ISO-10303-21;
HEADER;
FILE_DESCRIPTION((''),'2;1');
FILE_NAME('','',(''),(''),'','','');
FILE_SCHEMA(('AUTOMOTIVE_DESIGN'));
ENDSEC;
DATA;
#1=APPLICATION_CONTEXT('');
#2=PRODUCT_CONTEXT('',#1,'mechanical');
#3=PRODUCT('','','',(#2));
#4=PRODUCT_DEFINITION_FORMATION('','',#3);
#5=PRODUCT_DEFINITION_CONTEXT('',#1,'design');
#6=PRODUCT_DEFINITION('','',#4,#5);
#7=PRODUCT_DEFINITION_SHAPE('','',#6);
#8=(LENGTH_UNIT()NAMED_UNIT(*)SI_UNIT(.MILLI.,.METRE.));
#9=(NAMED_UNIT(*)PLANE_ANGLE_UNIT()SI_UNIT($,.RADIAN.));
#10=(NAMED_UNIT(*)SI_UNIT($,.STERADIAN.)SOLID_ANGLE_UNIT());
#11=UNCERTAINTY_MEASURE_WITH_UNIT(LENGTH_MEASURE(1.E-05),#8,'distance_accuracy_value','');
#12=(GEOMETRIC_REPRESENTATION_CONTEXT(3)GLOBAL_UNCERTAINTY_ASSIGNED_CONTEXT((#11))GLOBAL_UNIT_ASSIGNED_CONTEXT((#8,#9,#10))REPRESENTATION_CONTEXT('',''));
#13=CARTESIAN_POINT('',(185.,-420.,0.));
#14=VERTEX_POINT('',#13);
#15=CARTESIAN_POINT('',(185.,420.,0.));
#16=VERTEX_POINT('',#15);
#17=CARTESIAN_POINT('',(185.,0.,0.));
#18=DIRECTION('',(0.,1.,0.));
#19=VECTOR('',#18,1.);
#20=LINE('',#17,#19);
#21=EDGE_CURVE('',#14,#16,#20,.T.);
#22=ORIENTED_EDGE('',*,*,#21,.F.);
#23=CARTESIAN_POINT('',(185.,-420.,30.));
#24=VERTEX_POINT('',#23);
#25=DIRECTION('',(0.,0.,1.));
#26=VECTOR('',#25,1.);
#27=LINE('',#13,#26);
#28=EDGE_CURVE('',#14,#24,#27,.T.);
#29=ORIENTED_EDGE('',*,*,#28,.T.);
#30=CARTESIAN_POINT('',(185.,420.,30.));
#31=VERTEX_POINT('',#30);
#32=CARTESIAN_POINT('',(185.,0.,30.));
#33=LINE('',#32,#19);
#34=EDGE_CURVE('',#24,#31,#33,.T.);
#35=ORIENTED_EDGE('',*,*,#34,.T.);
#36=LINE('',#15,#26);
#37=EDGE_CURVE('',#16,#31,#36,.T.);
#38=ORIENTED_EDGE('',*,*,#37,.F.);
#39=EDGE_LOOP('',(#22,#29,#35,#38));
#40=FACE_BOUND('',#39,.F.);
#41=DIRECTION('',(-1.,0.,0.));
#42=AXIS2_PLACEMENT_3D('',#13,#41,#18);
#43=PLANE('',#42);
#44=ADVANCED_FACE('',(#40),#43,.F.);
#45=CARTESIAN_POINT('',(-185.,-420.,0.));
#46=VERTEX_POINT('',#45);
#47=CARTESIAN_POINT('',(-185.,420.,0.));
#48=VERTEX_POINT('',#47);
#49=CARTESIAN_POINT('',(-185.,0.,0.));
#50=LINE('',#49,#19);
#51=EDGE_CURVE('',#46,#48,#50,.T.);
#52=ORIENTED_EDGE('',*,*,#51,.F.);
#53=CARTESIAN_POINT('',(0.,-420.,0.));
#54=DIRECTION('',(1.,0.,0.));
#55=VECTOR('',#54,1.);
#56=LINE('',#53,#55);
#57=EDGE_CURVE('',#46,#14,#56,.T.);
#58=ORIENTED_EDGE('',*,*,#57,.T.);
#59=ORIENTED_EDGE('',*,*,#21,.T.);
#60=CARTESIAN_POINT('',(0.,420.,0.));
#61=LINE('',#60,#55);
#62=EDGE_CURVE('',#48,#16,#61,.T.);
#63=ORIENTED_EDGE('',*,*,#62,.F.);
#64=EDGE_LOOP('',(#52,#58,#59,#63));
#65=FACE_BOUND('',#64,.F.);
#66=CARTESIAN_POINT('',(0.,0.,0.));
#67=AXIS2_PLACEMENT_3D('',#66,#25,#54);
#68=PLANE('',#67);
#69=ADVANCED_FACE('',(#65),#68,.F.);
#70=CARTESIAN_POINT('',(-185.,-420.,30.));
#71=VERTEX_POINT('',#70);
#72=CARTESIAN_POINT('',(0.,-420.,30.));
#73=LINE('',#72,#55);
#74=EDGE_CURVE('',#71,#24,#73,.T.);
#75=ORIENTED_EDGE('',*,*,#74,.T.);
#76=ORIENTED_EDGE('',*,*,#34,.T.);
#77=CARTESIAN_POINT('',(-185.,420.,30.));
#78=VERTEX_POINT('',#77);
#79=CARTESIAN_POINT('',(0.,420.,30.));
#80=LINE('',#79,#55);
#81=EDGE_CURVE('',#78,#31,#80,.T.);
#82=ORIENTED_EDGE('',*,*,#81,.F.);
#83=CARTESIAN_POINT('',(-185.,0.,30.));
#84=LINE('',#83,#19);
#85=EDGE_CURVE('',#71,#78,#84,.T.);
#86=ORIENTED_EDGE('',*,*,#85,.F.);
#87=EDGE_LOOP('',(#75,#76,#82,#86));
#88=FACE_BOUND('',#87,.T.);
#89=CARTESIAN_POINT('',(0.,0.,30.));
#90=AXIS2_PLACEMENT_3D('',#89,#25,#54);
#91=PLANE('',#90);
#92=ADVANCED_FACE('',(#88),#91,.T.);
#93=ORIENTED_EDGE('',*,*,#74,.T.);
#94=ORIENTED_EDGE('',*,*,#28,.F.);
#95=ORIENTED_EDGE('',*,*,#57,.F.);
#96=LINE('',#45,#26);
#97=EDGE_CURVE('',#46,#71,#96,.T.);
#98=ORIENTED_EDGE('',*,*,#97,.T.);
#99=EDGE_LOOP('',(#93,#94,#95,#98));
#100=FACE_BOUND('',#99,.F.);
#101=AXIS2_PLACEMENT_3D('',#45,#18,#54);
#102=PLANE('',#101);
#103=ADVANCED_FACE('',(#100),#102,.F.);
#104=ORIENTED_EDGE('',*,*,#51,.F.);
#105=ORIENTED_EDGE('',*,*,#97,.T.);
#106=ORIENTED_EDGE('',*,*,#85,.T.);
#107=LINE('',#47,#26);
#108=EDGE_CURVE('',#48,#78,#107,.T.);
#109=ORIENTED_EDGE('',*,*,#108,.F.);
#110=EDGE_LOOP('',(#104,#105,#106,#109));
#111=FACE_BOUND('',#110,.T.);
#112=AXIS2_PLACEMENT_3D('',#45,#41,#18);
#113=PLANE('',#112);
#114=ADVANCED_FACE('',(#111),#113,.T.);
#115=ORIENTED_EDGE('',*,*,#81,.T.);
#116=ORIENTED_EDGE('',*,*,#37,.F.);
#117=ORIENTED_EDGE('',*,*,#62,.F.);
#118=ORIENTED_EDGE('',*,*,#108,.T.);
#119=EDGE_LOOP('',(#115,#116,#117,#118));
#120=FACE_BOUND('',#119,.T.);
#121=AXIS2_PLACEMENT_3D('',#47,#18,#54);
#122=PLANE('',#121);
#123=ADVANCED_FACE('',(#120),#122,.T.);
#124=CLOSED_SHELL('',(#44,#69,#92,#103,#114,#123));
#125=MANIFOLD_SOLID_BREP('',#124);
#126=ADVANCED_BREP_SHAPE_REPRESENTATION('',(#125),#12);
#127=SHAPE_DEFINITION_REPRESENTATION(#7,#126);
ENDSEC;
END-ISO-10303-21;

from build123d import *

# Parameters (mm, degrees)
SKETCH_W  = 370
SKETCH_H  = 840
PAD_DEPTH = 30


with BuildPart() as part:
    # Sketch → Pad (new body)
    with BuildSketch(Plane.XY):
        Rectangle(SKETCH_W, SKETCH_H)
    extrude(amount=PAD_DEPTH)


solid = part.part
